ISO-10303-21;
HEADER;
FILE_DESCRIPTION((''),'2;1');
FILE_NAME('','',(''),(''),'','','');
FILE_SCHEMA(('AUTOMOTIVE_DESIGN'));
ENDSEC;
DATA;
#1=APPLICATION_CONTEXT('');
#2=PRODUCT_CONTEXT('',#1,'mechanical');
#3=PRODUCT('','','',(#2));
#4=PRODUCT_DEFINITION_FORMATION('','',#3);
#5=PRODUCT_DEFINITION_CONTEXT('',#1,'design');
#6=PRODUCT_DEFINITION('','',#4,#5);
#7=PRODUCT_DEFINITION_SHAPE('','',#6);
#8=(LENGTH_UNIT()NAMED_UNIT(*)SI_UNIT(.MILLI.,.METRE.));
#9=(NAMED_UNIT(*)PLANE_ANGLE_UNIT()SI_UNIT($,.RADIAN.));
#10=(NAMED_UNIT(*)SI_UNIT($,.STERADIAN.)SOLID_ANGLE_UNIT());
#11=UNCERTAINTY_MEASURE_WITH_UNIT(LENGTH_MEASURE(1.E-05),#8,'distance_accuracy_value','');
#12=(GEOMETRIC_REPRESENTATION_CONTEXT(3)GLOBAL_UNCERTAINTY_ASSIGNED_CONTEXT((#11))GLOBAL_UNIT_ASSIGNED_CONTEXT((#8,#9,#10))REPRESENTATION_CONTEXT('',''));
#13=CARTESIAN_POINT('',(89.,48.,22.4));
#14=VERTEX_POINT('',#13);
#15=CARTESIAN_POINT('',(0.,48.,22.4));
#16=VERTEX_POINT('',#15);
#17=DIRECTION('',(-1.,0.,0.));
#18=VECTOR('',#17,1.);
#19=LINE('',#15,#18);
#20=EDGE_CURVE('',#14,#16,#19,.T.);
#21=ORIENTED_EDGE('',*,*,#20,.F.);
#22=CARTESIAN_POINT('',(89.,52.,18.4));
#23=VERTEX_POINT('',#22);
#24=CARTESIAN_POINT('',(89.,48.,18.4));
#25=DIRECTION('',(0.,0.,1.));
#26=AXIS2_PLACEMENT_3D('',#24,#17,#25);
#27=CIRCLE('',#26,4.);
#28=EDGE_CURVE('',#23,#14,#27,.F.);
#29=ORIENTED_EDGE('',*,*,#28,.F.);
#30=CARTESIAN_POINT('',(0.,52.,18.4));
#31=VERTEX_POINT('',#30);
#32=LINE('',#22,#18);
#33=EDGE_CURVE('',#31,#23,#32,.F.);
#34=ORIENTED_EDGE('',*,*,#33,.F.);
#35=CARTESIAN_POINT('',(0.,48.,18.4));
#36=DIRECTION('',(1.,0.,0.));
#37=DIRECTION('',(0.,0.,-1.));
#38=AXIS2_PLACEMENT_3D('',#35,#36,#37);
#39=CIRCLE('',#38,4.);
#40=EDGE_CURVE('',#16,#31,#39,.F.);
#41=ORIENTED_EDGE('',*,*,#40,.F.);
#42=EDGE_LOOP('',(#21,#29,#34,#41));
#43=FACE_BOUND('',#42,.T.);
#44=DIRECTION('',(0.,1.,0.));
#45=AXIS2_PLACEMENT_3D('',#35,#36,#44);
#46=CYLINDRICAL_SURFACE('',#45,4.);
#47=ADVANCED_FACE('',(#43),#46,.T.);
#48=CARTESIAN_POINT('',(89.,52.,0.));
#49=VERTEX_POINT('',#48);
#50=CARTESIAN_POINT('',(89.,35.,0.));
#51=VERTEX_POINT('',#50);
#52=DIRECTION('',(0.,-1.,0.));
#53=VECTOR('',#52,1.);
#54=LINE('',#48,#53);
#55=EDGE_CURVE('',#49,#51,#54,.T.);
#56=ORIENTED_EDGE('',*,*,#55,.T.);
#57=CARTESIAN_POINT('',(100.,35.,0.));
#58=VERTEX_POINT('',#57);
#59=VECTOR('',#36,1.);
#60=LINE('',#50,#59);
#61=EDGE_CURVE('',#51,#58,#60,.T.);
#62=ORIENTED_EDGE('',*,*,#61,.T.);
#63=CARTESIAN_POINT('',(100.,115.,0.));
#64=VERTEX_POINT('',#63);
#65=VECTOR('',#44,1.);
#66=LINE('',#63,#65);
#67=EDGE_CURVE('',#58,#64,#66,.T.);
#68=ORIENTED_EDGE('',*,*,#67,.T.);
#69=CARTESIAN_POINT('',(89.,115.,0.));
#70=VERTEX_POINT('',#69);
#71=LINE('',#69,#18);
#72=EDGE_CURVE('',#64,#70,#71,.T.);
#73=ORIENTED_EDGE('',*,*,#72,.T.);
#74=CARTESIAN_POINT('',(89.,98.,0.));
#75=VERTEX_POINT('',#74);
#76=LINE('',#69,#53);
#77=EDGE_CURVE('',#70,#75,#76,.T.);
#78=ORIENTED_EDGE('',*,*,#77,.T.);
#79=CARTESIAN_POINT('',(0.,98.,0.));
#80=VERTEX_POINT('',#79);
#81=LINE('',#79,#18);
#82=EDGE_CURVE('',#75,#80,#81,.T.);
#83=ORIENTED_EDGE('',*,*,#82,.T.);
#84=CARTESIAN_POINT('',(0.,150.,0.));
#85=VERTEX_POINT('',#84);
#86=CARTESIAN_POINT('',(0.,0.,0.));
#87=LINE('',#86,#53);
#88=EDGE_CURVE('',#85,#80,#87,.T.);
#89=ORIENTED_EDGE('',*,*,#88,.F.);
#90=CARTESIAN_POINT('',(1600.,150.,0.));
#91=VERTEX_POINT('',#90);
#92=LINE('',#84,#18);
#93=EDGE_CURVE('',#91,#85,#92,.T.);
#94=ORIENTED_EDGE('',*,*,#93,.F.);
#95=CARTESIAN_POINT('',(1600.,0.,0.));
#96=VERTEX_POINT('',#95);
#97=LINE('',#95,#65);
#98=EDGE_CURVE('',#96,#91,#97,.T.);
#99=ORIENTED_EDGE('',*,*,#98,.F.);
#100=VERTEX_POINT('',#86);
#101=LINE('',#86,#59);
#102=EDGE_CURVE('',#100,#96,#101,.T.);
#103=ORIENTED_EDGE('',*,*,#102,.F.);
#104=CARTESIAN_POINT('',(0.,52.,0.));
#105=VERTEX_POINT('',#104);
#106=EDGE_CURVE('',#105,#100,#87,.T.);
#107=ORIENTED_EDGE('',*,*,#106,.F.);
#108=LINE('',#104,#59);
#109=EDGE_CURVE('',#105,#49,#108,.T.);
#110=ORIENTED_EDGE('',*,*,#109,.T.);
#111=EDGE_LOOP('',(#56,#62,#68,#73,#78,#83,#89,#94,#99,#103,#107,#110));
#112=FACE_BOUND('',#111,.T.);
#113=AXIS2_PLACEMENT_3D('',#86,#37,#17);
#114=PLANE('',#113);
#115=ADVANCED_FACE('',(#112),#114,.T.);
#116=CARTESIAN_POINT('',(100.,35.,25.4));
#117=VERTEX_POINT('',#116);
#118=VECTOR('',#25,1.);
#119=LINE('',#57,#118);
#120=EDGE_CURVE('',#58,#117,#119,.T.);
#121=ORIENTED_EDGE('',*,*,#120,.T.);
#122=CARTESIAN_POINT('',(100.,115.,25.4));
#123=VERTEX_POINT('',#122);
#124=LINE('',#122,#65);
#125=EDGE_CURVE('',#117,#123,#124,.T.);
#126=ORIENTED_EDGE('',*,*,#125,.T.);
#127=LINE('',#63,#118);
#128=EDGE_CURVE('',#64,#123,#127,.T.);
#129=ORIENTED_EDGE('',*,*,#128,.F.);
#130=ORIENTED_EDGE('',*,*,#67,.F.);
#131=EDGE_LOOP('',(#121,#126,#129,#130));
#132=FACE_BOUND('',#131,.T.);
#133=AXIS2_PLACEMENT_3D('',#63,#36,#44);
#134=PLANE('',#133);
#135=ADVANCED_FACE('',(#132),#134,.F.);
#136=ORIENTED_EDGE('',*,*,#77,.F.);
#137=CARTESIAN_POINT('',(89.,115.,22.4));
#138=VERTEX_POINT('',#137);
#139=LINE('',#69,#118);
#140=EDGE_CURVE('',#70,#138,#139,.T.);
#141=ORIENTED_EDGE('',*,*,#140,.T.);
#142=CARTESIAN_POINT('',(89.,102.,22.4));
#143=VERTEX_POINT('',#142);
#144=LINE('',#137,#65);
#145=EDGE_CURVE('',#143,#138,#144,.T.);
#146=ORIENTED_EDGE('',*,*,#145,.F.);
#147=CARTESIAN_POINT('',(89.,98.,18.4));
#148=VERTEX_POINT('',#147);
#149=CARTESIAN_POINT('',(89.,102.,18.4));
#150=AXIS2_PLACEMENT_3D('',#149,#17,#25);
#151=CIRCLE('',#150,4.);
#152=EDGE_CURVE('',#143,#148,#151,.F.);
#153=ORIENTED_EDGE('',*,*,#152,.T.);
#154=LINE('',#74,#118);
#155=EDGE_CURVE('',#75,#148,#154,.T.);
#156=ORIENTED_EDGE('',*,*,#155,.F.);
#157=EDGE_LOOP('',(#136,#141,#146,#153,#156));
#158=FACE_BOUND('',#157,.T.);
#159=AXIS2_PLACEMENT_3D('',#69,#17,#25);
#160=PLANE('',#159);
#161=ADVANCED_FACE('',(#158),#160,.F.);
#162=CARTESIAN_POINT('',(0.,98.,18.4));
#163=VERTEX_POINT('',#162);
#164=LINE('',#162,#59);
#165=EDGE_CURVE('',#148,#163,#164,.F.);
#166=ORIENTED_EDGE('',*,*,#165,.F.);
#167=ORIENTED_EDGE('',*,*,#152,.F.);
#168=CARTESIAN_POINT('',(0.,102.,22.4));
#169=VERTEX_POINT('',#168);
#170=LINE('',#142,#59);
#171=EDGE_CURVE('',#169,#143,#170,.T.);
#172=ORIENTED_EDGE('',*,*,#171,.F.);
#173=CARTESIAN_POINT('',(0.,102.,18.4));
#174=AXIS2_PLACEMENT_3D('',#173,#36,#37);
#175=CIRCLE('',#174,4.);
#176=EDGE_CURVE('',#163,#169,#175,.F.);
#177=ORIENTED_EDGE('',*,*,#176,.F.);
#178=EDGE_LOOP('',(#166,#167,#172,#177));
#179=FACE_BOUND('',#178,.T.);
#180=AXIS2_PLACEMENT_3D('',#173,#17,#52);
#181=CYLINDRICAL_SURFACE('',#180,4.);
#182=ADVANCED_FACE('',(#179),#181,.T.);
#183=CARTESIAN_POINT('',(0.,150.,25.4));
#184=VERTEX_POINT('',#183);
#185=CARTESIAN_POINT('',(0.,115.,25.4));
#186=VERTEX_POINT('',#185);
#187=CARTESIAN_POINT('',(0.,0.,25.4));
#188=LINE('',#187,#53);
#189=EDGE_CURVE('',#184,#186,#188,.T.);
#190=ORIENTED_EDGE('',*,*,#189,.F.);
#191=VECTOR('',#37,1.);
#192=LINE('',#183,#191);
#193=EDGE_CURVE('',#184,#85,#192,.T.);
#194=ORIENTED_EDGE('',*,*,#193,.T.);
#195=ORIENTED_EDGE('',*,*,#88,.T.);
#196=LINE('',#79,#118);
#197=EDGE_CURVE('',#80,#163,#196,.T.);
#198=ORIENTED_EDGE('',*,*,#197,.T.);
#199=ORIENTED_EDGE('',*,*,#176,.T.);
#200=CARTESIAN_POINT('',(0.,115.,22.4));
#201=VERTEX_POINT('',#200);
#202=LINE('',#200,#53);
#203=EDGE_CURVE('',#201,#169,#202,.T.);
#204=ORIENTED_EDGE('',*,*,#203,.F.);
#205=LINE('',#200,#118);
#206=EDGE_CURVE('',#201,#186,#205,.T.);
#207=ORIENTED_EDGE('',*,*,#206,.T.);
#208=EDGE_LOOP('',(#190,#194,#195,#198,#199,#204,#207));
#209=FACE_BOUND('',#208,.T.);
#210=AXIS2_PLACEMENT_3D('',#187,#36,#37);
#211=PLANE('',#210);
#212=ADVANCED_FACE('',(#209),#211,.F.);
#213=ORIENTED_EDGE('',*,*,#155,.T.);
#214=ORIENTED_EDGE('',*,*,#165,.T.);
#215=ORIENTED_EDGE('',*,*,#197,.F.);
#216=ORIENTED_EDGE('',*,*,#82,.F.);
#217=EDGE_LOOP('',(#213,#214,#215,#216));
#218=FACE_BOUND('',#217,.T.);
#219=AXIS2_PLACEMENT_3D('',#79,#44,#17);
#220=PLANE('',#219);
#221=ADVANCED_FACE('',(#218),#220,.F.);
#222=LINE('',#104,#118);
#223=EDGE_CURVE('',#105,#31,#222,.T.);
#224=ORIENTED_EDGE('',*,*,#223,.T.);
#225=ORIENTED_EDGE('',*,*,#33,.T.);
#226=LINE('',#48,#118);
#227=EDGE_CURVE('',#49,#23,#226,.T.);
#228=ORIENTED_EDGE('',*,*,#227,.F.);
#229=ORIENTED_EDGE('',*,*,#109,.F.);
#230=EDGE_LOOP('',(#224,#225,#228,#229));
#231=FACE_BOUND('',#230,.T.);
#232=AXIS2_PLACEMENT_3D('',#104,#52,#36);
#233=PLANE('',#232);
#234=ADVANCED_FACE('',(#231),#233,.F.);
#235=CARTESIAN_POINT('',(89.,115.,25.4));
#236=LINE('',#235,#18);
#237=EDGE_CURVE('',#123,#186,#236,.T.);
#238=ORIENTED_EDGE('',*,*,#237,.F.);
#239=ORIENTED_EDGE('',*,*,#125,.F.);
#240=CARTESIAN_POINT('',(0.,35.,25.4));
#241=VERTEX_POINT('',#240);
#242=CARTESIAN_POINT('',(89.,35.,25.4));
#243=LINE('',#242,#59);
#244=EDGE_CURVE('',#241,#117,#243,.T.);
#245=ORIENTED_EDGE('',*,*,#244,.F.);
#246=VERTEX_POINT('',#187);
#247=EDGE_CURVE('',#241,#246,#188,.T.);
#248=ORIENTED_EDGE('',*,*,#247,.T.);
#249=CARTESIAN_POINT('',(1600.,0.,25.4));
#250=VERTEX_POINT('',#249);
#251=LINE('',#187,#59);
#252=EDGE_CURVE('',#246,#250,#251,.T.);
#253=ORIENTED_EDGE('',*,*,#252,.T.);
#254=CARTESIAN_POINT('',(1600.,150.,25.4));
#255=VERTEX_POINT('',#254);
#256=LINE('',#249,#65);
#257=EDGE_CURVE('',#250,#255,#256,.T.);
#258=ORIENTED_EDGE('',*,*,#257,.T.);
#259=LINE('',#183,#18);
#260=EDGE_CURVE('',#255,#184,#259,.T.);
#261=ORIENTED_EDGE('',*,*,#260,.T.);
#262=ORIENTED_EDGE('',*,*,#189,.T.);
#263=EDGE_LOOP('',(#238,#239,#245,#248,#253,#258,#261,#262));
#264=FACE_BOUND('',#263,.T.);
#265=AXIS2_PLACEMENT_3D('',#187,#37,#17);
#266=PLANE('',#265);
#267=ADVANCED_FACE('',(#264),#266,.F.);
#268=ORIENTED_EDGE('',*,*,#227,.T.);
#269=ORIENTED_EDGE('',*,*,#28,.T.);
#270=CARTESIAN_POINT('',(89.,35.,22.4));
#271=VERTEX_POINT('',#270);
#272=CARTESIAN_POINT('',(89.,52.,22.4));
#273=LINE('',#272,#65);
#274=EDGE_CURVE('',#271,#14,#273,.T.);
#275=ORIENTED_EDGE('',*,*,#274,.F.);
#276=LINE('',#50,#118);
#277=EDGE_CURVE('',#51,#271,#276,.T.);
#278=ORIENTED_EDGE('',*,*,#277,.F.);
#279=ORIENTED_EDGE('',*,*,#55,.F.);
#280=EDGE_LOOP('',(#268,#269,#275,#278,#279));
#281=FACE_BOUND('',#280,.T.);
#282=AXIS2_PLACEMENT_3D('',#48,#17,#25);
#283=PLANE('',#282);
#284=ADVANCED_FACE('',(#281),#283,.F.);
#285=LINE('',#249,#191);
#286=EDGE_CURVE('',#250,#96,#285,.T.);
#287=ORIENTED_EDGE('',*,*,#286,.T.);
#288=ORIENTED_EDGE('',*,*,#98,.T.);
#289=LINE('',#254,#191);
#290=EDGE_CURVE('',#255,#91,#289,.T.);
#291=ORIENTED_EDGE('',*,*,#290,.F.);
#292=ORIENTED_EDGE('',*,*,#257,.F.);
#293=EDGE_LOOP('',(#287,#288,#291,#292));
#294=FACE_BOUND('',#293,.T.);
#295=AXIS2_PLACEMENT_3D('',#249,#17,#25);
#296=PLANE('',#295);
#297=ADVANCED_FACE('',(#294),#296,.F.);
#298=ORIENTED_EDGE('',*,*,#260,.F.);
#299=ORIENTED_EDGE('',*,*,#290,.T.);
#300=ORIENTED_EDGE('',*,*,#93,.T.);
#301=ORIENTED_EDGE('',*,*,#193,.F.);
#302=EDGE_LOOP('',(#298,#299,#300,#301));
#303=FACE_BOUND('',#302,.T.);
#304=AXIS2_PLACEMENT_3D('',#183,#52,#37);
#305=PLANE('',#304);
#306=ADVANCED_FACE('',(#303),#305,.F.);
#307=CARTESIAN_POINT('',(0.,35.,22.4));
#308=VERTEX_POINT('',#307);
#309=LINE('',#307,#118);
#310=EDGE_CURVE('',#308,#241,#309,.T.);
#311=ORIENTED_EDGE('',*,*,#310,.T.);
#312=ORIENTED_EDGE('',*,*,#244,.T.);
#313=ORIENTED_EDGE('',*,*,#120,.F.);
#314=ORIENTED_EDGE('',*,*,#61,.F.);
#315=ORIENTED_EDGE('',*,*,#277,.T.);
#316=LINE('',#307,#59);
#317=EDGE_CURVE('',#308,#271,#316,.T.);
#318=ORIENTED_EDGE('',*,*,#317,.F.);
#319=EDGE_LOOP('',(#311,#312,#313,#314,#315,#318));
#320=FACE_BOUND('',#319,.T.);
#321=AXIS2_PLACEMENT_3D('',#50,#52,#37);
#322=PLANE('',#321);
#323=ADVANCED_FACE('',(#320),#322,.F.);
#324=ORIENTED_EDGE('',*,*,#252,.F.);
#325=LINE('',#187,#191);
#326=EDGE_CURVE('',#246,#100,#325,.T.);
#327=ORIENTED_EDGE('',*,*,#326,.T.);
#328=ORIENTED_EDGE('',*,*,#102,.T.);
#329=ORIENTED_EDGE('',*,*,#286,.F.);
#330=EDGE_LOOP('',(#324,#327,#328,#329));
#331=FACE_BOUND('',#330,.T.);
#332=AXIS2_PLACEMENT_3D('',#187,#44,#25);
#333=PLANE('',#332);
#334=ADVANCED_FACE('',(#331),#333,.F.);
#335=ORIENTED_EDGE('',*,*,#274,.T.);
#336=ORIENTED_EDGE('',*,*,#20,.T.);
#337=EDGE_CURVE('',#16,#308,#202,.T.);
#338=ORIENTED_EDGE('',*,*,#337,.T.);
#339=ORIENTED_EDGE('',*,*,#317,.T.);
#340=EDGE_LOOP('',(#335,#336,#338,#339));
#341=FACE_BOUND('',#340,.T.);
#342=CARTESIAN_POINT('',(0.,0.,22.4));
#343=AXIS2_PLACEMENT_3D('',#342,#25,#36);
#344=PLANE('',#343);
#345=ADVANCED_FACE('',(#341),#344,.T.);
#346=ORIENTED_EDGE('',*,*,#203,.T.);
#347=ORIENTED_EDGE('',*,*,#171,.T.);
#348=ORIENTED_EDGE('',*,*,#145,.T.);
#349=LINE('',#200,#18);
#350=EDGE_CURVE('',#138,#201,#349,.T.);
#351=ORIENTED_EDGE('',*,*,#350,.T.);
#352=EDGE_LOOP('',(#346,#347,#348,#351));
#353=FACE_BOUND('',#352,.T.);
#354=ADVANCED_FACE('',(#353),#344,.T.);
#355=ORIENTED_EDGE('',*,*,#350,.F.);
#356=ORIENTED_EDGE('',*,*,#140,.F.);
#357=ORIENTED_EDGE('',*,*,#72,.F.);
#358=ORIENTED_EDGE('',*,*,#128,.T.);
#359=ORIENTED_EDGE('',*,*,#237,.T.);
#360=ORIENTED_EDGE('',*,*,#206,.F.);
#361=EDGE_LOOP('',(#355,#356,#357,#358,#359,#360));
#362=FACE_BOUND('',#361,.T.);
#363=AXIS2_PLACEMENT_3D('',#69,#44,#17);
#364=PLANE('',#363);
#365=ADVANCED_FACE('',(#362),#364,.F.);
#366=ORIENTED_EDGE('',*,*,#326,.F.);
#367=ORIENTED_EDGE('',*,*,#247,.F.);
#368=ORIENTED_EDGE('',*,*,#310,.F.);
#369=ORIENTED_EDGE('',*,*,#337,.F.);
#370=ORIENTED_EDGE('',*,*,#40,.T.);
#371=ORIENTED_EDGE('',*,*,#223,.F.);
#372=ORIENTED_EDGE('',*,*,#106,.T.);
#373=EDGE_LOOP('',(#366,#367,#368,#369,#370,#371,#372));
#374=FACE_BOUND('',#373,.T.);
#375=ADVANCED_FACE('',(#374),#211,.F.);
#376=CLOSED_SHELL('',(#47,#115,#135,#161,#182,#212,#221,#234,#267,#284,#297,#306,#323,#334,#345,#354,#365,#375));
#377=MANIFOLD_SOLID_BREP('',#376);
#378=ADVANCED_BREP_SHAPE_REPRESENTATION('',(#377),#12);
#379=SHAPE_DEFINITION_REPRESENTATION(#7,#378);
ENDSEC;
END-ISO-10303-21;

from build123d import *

# Parameters (mm, degrees)
SKETCH1_W           = 1600
SKETCH1_H           = 150
BOSS_EXTRUDE1_DEPTH = 25.4
CUT_EXTRUDE1_DEPTH  = 1608.216587769
SKETCH3_W           = 100
SKETCH3_H           = 80
CUT_EXTRUDE2_DEPTH  = 3
FILLET1_R           = 4


with BuildPart() as part:
    # Sketch1 → Boss-Extrude1 (new body)
    with BuildSketch(Plane.XY):
        with Locations((800, 75)):
            Rectangle(SKETCH1_W, SKETCH1_H)
    extrude(amount=BOSS_EXTRUDE1_DEPTH)

    # Sketch2 → Cut-Extrude1 (cut, through all)
    with BuildSketch(Plane.XY.offset(25.4)):
        Polygon((0, 52), (89, 52), (89, 35), (100, 35), (100, 115), (89, 115), (89, 98), (0, 98), align=None)
    extrude(amount=-CUT_EXTRUDE1_DEPTH, mode=Mode.SUBTRACT)

    # Sketch3 → Cut-Extrude2 (cut)
    with BuildSketch(Plane.XY.offset(25.4)):
        with Locations((50, 75)):
            Rectangle(SKETCH3_W, SKETCH3_H)
    extrude(amount=-CUT_EXTRUDE2_DEPTH, mode=Mode.SUBTRACT)

    # Fillet1
    fillet1_edges = [part.edges().sort_by_distance(p)[0] for p in [
        (44.5, 52, 22.4),
        (44.5, 98, 22.4),
    ]]
    fillet(fillet1_edges, radius=FILLET1_R)


solid = part.part
